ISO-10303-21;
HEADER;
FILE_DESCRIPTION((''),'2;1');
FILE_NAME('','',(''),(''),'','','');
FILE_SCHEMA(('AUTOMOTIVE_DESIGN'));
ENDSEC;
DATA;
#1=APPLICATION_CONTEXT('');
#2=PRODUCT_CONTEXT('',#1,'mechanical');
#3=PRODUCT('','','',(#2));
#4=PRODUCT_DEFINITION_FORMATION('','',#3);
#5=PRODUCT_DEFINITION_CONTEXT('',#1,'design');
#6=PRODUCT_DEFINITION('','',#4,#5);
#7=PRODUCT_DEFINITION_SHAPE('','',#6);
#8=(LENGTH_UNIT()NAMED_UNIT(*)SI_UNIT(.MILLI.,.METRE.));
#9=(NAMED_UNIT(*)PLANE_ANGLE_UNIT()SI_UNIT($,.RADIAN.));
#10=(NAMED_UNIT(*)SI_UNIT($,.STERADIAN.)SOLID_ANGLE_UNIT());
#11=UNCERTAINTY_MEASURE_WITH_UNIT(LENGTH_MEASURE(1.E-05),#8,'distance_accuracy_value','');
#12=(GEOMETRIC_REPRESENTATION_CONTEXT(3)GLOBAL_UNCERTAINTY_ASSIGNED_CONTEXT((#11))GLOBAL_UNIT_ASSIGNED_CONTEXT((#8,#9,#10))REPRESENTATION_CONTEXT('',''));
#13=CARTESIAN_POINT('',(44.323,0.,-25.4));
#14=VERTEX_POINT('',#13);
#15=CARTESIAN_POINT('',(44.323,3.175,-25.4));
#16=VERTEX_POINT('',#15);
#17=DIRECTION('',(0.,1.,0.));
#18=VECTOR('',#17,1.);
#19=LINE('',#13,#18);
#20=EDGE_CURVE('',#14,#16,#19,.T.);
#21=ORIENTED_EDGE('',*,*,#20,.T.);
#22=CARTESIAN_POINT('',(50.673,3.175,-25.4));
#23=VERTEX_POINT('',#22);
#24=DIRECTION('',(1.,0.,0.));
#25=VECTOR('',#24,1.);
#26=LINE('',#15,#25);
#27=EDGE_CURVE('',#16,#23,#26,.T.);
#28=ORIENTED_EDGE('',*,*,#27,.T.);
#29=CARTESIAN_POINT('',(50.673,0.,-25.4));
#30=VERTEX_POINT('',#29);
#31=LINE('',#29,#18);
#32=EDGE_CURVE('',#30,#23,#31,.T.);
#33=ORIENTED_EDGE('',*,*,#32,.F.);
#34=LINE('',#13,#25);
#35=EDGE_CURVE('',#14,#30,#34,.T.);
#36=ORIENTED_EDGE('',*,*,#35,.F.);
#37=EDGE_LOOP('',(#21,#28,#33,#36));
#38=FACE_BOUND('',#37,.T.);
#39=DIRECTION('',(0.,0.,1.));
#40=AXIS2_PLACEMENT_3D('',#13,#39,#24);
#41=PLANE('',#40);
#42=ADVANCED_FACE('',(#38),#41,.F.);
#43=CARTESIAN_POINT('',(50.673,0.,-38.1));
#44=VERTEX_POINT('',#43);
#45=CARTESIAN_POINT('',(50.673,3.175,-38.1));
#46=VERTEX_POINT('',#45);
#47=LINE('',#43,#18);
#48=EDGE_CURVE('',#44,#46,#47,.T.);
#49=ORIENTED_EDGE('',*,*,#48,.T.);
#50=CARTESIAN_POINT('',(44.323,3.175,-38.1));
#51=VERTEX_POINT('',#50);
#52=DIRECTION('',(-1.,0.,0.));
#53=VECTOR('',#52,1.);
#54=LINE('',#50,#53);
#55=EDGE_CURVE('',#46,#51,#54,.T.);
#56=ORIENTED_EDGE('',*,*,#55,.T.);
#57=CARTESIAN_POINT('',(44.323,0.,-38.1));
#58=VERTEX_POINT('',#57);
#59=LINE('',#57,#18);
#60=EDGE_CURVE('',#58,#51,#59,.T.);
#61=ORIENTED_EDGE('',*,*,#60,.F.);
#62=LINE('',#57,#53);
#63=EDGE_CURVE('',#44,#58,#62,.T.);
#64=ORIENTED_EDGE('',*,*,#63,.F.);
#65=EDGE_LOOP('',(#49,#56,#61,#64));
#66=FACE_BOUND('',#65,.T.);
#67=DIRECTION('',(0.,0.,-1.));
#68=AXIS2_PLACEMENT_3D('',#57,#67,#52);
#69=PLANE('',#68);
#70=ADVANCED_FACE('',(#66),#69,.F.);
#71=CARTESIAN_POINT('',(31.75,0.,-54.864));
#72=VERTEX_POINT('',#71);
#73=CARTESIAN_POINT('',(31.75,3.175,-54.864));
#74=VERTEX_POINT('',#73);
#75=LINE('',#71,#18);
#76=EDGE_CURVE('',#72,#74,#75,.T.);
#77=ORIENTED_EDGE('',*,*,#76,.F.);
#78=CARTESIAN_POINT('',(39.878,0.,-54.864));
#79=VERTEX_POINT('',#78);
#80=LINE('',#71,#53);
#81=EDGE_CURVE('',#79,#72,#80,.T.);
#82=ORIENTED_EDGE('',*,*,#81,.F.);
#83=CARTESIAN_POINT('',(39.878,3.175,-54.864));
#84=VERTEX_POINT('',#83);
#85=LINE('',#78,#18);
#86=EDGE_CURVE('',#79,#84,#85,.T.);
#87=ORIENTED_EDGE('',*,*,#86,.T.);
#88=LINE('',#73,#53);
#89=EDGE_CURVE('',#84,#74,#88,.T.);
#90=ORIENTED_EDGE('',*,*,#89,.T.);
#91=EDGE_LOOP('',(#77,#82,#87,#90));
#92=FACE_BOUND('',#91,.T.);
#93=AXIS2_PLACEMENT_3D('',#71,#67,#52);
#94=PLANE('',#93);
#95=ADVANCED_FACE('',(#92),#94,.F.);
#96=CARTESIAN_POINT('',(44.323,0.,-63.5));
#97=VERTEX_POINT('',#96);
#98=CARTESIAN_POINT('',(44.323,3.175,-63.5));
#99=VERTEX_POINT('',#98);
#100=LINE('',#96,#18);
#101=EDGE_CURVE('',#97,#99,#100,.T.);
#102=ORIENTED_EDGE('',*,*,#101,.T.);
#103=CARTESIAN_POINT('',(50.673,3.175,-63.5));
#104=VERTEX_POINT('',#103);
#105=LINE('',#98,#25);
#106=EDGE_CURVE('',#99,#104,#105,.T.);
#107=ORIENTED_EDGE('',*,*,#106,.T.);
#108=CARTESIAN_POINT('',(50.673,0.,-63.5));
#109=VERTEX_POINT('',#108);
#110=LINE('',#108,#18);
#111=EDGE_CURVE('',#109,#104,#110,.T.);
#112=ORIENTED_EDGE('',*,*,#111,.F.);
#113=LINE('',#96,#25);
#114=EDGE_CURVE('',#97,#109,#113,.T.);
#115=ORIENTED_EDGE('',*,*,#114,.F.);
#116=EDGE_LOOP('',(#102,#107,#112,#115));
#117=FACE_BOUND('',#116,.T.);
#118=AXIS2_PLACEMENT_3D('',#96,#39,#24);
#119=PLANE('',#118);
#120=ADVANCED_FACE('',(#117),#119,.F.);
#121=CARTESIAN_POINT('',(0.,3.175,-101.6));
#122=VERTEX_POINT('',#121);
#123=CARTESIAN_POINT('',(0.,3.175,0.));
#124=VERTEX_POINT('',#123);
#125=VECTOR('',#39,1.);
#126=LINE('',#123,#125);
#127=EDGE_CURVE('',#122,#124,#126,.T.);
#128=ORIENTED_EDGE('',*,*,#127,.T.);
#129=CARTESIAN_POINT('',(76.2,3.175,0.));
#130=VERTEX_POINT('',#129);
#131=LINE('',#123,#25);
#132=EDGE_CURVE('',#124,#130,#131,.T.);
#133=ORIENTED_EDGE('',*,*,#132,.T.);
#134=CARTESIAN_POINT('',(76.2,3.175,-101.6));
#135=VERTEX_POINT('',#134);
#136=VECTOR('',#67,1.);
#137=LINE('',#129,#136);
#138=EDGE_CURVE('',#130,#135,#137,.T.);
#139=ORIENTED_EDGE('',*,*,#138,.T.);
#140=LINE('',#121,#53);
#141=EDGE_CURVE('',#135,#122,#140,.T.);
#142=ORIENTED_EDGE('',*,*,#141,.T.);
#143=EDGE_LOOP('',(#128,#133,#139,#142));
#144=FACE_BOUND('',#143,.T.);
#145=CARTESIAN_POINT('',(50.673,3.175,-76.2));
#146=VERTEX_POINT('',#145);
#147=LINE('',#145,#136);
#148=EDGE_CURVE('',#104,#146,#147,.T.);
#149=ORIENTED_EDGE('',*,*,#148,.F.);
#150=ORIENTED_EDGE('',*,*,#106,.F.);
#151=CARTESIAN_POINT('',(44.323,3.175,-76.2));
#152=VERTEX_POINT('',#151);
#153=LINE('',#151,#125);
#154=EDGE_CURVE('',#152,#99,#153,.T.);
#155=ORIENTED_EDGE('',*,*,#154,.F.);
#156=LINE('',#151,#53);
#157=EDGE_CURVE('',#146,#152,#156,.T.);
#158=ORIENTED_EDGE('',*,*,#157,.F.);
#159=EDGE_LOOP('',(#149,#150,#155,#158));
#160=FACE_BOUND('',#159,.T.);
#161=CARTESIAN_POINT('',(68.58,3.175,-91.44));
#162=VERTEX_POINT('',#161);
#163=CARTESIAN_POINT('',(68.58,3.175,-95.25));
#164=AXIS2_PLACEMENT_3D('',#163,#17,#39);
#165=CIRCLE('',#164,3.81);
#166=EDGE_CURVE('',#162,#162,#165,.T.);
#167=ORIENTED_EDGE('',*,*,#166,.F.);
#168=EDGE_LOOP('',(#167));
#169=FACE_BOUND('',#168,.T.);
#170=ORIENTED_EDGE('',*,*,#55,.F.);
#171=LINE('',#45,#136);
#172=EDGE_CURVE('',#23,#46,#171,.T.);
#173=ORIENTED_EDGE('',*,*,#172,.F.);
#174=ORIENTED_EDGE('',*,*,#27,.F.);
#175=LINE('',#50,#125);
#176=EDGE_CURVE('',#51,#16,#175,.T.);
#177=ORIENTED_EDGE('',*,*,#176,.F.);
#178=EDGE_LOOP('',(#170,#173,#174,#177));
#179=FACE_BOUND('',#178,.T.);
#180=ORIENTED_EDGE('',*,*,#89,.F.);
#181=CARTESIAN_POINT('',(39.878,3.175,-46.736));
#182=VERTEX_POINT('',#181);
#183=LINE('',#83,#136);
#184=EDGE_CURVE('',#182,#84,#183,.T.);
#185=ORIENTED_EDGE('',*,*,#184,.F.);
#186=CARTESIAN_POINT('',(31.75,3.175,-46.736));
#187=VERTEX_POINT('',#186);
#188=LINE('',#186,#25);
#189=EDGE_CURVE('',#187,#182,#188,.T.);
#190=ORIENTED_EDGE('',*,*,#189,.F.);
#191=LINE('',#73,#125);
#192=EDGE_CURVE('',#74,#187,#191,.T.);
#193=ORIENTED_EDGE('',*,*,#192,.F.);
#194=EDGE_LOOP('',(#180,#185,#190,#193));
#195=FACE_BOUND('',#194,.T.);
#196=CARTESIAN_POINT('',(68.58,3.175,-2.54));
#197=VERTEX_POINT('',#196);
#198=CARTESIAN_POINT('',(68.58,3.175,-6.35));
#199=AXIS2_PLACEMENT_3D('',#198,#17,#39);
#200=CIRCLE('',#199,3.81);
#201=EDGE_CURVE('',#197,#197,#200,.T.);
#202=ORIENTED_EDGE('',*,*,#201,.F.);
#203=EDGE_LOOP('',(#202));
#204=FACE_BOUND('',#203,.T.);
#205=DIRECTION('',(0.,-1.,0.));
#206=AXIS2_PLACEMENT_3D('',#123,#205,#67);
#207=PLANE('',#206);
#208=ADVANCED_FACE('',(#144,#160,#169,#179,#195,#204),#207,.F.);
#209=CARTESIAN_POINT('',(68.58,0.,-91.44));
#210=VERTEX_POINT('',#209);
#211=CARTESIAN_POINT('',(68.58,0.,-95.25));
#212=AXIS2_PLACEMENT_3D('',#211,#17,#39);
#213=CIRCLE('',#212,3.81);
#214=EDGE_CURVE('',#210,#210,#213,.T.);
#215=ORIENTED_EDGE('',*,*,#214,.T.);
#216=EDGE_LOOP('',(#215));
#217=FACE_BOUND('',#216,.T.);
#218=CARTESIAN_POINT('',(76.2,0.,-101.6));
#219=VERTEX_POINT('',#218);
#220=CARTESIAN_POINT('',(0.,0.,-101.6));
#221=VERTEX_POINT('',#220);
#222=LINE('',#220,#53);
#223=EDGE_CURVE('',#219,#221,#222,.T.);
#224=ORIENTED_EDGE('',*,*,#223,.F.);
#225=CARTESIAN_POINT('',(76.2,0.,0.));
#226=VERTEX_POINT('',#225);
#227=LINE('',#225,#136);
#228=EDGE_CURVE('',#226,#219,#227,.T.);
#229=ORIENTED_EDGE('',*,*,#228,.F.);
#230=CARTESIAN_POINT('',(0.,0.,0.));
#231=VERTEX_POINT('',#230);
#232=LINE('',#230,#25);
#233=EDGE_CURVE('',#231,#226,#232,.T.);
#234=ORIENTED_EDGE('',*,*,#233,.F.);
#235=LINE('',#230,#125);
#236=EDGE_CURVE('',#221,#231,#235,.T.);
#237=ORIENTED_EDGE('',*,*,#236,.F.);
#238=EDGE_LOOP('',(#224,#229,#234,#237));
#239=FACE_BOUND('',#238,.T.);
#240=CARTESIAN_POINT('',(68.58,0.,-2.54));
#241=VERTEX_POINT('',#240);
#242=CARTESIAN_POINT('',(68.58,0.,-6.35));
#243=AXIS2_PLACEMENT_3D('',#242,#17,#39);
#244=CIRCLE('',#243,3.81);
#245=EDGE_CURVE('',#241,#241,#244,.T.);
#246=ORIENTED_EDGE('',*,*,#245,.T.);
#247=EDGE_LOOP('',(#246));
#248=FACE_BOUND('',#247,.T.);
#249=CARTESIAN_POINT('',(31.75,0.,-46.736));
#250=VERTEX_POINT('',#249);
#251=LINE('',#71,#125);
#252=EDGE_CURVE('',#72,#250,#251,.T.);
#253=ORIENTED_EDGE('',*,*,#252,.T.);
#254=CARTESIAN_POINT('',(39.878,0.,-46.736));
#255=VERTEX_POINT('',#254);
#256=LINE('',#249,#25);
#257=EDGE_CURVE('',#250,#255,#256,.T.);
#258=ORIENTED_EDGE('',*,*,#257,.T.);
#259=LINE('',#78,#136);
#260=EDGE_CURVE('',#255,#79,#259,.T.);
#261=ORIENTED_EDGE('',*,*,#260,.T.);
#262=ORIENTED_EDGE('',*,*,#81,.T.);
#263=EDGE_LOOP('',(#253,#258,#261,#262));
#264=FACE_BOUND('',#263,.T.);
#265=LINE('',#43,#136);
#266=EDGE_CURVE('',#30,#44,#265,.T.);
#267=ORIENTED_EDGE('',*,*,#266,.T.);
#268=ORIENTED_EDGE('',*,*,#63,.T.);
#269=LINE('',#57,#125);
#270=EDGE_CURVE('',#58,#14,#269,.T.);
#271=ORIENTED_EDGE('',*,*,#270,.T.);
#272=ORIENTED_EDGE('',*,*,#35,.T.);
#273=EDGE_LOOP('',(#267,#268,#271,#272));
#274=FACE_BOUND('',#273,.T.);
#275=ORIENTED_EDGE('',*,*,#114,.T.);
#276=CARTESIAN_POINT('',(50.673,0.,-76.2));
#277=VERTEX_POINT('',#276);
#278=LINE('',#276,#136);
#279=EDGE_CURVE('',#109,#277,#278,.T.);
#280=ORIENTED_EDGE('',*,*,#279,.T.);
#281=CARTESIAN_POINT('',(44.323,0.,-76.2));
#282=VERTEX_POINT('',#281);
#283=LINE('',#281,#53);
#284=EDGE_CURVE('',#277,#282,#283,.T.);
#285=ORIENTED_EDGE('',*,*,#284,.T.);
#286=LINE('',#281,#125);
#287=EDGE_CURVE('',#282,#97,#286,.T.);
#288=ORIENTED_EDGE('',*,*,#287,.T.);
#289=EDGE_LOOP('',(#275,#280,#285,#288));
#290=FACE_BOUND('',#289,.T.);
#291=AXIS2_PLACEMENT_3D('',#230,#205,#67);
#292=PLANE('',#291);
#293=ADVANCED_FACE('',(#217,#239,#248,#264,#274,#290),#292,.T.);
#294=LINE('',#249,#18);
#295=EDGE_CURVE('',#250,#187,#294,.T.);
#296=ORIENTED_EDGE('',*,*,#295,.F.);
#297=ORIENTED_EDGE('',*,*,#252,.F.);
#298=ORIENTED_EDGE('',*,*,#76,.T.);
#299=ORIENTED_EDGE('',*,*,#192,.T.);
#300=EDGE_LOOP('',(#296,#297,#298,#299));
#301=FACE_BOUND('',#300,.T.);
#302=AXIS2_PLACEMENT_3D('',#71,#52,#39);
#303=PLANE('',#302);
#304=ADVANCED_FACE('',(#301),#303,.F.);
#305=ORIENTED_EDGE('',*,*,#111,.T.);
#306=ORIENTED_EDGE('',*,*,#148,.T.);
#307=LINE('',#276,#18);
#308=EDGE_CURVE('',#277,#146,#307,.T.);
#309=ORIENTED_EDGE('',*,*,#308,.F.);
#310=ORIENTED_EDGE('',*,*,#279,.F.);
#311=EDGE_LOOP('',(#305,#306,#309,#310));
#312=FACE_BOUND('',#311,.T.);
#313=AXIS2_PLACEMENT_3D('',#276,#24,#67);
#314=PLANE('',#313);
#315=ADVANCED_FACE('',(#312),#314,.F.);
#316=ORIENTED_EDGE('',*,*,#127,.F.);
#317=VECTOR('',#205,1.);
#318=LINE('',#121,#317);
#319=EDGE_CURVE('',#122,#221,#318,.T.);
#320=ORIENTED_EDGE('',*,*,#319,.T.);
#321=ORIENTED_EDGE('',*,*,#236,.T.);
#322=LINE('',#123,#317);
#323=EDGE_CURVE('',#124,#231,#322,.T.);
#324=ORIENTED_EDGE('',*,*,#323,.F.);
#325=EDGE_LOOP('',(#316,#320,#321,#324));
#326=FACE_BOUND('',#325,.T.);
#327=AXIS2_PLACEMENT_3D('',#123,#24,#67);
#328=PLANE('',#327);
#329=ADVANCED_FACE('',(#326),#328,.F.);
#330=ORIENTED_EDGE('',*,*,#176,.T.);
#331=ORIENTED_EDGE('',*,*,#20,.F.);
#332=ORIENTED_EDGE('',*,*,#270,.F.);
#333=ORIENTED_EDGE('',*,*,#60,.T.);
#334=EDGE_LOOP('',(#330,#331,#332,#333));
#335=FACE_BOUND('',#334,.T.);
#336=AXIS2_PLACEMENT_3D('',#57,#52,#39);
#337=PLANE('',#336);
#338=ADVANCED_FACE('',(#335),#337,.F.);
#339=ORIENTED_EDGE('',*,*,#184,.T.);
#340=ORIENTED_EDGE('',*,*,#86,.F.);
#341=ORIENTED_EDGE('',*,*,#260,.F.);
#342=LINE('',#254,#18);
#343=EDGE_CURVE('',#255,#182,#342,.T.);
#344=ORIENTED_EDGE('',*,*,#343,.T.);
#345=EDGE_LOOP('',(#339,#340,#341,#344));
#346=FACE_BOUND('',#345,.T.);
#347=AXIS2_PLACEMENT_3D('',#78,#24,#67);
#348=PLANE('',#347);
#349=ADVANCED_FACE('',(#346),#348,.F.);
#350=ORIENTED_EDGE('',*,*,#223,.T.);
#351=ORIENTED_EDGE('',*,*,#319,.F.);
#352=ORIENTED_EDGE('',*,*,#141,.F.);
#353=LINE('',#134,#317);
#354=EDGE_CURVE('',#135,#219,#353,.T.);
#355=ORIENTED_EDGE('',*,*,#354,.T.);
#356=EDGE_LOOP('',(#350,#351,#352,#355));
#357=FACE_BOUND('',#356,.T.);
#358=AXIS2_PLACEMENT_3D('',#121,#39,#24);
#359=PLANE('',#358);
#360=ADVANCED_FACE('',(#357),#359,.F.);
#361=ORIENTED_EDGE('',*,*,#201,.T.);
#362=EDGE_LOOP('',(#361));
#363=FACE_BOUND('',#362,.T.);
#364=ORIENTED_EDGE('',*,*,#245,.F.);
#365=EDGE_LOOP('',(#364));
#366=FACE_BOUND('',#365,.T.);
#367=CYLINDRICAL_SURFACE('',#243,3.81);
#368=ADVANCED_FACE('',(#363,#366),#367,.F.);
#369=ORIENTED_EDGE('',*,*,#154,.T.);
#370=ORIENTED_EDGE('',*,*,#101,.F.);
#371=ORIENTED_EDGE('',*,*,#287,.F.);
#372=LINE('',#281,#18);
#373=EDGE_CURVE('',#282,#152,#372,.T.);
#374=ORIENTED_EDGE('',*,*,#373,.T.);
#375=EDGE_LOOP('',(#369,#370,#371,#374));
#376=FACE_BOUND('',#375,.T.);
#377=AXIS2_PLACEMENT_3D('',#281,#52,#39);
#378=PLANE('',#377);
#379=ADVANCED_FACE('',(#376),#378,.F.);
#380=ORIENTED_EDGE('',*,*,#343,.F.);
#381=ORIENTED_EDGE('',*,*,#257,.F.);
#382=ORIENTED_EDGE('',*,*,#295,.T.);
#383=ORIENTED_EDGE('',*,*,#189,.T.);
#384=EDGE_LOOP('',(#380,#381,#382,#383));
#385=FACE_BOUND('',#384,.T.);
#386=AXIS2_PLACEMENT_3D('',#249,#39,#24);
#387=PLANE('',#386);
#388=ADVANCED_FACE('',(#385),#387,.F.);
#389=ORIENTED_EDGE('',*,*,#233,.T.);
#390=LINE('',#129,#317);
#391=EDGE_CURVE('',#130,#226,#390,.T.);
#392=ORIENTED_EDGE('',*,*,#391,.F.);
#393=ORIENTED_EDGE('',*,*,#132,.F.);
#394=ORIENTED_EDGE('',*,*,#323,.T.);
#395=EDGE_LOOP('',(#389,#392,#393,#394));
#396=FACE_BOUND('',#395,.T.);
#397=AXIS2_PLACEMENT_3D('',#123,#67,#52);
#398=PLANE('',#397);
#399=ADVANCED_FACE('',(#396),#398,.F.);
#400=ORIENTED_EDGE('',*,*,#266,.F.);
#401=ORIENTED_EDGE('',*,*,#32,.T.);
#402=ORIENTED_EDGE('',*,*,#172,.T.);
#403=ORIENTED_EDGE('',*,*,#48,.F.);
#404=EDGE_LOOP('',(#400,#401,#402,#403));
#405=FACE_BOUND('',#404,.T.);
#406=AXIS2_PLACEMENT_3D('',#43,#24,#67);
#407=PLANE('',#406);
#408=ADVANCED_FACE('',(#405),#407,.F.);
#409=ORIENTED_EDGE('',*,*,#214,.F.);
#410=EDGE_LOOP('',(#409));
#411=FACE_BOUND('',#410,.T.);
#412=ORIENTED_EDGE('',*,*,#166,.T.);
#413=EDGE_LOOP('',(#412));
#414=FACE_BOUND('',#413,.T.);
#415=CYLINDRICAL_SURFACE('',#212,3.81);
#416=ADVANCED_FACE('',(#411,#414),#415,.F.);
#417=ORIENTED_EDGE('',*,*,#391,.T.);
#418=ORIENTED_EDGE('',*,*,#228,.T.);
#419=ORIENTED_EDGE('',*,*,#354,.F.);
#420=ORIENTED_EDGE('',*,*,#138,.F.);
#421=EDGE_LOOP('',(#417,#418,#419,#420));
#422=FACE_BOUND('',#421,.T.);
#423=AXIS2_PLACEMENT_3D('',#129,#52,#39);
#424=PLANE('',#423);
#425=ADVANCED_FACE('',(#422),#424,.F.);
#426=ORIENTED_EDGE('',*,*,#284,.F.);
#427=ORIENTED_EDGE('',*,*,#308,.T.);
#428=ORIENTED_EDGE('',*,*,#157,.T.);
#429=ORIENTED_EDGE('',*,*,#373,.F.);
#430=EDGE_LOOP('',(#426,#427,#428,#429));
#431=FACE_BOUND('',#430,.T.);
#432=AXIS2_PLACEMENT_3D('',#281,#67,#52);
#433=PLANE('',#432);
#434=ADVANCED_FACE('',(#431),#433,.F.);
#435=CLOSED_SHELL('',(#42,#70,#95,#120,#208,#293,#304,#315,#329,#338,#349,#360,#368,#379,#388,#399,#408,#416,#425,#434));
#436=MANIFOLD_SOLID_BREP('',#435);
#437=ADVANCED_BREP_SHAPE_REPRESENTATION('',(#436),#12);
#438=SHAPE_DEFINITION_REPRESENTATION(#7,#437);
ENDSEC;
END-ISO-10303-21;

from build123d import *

# Parameters (mm, degrees)
SKETCH1_W           = 76.2
SKETCH1_H           = 101.6
BOSS_EXTRUDE1_DEPTH = 3.175
SKETCH2_R           = 3.81
SKETCH2_W           = 6.35
SKETCH2_H           = 12.7
SKETCH2_W_2         = 8.128
SKETCH2_H_2         = 8.128
CUT_EXTRUDE1_DEPTH  = 4.175


with BuildPart() as part:
    # Sketch1 → Boss-Extrude1 (new body)
    with BuildSketch(Plane(origin=(0, 0, 0), x_dir=(1, 0, 0), z_dir=(0, 1, 0))):
        with Locations((38.1, 50.8)):
            Rectangle(SKETCH1_W, SKETCH1_H)
    extrude(amount=BOSS_EXTRUDE1_DEPTH)

    # Sketch2 → Cut-Extrude1 (cut, through all)
    with BuildSketch(Plane(origin=(0, 3.175, 0), x_dir=(1, 0, 0), z_dir=(0, 1, 0))):
        with Locations((68.58, 95.25)):
            Circle(SKETCH2_R)
        with Locations((68.58, 6.35)):
            Circle(SKETCH2_R)
        with Locations((47.498, 69.85)):
            Rectangle(SKETCH2_W, SKETCH2_H)
        with Locations((47.498, 31.75)):
            Rectangle(SKETCH2_W, SKETCH2_H)
        with Locations((35.814, 50.8)):
            Rectangle(SKETCH2_W_2, SKETCH2_H_2)
    extrude(amount=-CUT_EXTRUDE1_DEPTH, mode=Mode.SUBTRACT)


solid = part.part
